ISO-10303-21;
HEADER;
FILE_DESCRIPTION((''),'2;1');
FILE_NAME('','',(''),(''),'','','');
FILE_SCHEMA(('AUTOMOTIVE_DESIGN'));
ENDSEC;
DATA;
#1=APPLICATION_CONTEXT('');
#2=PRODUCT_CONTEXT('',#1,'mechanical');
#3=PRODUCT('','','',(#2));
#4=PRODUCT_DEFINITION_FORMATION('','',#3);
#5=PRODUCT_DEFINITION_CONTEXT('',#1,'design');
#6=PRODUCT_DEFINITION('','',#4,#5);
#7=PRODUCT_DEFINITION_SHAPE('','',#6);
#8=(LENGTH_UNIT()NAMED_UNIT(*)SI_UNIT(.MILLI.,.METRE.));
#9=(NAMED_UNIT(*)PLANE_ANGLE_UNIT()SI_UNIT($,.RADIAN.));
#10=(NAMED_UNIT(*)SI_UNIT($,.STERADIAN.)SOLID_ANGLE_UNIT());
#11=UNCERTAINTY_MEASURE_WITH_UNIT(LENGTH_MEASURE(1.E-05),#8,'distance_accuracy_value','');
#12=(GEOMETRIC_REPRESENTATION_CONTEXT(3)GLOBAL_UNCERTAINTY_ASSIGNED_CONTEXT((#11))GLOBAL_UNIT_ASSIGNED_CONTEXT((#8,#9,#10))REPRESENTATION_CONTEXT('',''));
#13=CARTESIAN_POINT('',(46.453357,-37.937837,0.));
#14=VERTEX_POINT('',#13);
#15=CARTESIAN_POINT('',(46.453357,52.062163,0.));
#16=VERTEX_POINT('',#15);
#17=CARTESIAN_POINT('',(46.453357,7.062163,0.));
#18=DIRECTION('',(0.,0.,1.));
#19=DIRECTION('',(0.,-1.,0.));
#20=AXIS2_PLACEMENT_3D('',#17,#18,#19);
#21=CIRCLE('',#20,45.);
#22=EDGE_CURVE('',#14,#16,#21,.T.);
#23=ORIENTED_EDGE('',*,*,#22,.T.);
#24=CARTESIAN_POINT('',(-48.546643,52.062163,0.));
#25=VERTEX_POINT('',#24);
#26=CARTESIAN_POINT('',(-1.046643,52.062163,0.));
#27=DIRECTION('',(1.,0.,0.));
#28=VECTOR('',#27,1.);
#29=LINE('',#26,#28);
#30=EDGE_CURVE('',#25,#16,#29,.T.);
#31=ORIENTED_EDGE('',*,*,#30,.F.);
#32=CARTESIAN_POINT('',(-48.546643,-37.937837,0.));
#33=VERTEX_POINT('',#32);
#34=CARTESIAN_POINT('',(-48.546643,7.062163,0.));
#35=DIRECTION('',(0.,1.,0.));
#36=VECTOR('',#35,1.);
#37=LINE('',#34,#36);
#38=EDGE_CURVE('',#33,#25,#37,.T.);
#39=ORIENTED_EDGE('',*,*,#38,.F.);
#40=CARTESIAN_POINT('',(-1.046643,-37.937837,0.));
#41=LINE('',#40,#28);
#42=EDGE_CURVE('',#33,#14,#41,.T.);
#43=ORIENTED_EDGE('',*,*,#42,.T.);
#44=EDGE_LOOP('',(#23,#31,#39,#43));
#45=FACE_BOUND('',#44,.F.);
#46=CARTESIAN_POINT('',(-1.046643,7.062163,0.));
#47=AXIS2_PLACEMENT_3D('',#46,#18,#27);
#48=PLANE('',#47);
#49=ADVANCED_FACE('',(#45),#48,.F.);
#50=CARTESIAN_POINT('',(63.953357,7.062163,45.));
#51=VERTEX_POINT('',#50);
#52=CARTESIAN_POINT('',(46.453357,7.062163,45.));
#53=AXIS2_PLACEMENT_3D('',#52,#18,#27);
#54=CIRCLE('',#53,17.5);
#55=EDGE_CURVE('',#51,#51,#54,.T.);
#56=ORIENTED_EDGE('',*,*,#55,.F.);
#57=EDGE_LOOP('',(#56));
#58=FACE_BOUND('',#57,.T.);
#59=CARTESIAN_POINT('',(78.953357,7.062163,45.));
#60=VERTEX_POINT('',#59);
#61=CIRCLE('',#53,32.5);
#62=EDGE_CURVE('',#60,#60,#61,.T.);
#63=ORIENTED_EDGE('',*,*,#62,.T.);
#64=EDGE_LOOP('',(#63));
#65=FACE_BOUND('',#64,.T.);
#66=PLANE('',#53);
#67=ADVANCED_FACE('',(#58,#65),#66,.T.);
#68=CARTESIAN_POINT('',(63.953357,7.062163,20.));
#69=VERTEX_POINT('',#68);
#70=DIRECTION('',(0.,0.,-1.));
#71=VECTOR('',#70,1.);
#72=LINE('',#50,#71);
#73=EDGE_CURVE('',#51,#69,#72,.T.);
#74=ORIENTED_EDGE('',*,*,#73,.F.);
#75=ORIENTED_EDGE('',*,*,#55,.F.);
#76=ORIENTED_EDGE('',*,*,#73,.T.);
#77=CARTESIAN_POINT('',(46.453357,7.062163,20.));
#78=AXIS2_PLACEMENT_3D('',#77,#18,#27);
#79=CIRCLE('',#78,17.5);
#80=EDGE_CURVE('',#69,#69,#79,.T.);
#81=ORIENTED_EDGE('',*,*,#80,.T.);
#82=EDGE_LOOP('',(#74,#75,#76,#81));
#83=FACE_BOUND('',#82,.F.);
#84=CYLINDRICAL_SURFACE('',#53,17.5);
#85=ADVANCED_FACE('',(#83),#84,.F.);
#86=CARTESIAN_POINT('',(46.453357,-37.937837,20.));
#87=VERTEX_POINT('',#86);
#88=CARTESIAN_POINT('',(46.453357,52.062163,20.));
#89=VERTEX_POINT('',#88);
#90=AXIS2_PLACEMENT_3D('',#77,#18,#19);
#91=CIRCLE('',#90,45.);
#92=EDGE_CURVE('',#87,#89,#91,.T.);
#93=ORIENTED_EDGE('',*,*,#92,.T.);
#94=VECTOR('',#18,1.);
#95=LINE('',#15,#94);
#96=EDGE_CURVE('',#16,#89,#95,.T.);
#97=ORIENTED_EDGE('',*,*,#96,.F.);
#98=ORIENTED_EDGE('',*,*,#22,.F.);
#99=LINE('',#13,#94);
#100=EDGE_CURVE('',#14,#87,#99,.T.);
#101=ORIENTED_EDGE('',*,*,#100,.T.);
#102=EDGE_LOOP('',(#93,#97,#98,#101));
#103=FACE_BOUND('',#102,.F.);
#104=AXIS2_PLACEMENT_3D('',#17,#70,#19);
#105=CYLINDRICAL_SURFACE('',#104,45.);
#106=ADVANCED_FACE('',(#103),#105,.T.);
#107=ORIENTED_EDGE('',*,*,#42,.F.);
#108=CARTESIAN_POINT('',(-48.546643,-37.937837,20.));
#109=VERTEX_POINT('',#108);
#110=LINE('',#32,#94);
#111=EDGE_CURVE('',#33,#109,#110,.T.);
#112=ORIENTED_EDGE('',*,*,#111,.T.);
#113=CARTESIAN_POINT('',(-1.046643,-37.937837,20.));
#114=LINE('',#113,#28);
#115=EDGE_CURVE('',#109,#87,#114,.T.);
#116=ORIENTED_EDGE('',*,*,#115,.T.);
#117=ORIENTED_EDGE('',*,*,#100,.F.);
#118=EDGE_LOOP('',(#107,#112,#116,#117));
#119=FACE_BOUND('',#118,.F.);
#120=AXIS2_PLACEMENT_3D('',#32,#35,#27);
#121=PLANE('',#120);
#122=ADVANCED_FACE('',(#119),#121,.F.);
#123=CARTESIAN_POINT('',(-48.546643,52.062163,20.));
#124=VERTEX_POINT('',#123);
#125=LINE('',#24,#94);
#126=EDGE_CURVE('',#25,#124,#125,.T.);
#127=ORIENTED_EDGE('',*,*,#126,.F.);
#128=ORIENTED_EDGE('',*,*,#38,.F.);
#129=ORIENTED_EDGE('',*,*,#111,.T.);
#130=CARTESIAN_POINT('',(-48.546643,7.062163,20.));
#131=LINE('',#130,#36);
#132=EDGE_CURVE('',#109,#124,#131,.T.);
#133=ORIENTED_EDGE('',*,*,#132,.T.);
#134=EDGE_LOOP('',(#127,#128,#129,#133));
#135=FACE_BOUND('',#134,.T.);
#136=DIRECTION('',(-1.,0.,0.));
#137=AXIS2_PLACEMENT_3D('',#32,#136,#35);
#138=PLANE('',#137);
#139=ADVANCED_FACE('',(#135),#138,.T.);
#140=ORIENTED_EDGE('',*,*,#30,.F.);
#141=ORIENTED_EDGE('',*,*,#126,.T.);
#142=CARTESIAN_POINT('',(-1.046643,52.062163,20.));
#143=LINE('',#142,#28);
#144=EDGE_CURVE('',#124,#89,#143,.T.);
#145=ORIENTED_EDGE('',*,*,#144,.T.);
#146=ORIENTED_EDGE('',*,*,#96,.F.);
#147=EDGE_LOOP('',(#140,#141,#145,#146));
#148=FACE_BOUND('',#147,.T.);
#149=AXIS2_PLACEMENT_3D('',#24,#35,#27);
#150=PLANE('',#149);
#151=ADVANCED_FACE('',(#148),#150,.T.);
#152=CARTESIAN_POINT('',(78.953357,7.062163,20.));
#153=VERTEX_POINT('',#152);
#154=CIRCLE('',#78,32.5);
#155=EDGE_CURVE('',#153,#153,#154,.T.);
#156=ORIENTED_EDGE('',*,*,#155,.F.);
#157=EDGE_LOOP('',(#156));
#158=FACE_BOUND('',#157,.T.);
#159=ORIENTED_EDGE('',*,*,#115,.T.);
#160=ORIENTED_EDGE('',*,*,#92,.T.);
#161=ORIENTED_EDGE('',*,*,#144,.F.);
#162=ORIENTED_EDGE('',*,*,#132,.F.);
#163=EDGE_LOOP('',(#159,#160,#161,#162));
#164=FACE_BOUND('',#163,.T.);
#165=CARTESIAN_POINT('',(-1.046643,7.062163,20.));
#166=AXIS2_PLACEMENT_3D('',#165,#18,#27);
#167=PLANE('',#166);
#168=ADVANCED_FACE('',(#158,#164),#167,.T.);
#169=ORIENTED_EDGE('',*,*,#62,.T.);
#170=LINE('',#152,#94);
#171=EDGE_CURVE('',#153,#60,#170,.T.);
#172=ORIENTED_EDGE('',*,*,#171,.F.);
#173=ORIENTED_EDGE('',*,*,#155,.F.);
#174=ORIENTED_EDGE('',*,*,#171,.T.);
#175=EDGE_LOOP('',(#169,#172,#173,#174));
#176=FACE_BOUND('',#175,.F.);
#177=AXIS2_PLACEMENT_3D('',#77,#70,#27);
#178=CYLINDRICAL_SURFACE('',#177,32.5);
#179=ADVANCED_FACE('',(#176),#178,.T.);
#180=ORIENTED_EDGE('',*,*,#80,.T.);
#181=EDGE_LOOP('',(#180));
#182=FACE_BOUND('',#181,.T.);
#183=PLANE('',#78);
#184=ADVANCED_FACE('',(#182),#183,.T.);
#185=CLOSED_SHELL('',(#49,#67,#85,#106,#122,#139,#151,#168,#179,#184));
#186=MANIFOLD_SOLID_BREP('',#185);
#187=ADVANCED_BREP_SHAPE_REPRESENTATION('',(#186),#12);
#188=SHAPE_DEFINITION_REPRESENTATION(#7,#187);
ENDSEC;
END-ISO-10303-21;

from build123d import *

# Parameters (mm, degrees)
F0_W     = 95
F0_H     = 90
F1_DEPTH = 20
F2_R     = 32.5
F3_DEPTH = 25
F4_R     = 17.5
F5_DEPTH = 25


with BuildPart() as f1:
    # F0 (on Top) → F1 (new body)
    with BuildSketch(Plane.XY):
        with Locations((-1.046643, 7.062163)):
            Rectangle(F0_W, F0_H)
        with BuildLine():
            ThreePointArc((46.453357, -37.937837), (91.453357, 7.062163), (46.453357, 52.062163))
            Line((46.453357, 52.062163), (46.453357, -37.937837))
        make_face()
    extrude(amount=F1_DEPTH)

    # F2 (on face) → F3 (join)
    with BuildSketch(Plane.XY.offset(20)):
        with Locations((46.453357, 7.062163)):
            Circle(F2_R)
    extrude(amount=F3_DEPTH)

    # F4 (on face) → F5 (cut)
    with BuildSketch(Plane.XY.offset(45)):
        with Locations((46.453357, 7.062163)):
            Circle(F4_R)
    extrude(amount=-F5_DEPTH, mode=Mode.SUBTRACT)


solid = f1.part
